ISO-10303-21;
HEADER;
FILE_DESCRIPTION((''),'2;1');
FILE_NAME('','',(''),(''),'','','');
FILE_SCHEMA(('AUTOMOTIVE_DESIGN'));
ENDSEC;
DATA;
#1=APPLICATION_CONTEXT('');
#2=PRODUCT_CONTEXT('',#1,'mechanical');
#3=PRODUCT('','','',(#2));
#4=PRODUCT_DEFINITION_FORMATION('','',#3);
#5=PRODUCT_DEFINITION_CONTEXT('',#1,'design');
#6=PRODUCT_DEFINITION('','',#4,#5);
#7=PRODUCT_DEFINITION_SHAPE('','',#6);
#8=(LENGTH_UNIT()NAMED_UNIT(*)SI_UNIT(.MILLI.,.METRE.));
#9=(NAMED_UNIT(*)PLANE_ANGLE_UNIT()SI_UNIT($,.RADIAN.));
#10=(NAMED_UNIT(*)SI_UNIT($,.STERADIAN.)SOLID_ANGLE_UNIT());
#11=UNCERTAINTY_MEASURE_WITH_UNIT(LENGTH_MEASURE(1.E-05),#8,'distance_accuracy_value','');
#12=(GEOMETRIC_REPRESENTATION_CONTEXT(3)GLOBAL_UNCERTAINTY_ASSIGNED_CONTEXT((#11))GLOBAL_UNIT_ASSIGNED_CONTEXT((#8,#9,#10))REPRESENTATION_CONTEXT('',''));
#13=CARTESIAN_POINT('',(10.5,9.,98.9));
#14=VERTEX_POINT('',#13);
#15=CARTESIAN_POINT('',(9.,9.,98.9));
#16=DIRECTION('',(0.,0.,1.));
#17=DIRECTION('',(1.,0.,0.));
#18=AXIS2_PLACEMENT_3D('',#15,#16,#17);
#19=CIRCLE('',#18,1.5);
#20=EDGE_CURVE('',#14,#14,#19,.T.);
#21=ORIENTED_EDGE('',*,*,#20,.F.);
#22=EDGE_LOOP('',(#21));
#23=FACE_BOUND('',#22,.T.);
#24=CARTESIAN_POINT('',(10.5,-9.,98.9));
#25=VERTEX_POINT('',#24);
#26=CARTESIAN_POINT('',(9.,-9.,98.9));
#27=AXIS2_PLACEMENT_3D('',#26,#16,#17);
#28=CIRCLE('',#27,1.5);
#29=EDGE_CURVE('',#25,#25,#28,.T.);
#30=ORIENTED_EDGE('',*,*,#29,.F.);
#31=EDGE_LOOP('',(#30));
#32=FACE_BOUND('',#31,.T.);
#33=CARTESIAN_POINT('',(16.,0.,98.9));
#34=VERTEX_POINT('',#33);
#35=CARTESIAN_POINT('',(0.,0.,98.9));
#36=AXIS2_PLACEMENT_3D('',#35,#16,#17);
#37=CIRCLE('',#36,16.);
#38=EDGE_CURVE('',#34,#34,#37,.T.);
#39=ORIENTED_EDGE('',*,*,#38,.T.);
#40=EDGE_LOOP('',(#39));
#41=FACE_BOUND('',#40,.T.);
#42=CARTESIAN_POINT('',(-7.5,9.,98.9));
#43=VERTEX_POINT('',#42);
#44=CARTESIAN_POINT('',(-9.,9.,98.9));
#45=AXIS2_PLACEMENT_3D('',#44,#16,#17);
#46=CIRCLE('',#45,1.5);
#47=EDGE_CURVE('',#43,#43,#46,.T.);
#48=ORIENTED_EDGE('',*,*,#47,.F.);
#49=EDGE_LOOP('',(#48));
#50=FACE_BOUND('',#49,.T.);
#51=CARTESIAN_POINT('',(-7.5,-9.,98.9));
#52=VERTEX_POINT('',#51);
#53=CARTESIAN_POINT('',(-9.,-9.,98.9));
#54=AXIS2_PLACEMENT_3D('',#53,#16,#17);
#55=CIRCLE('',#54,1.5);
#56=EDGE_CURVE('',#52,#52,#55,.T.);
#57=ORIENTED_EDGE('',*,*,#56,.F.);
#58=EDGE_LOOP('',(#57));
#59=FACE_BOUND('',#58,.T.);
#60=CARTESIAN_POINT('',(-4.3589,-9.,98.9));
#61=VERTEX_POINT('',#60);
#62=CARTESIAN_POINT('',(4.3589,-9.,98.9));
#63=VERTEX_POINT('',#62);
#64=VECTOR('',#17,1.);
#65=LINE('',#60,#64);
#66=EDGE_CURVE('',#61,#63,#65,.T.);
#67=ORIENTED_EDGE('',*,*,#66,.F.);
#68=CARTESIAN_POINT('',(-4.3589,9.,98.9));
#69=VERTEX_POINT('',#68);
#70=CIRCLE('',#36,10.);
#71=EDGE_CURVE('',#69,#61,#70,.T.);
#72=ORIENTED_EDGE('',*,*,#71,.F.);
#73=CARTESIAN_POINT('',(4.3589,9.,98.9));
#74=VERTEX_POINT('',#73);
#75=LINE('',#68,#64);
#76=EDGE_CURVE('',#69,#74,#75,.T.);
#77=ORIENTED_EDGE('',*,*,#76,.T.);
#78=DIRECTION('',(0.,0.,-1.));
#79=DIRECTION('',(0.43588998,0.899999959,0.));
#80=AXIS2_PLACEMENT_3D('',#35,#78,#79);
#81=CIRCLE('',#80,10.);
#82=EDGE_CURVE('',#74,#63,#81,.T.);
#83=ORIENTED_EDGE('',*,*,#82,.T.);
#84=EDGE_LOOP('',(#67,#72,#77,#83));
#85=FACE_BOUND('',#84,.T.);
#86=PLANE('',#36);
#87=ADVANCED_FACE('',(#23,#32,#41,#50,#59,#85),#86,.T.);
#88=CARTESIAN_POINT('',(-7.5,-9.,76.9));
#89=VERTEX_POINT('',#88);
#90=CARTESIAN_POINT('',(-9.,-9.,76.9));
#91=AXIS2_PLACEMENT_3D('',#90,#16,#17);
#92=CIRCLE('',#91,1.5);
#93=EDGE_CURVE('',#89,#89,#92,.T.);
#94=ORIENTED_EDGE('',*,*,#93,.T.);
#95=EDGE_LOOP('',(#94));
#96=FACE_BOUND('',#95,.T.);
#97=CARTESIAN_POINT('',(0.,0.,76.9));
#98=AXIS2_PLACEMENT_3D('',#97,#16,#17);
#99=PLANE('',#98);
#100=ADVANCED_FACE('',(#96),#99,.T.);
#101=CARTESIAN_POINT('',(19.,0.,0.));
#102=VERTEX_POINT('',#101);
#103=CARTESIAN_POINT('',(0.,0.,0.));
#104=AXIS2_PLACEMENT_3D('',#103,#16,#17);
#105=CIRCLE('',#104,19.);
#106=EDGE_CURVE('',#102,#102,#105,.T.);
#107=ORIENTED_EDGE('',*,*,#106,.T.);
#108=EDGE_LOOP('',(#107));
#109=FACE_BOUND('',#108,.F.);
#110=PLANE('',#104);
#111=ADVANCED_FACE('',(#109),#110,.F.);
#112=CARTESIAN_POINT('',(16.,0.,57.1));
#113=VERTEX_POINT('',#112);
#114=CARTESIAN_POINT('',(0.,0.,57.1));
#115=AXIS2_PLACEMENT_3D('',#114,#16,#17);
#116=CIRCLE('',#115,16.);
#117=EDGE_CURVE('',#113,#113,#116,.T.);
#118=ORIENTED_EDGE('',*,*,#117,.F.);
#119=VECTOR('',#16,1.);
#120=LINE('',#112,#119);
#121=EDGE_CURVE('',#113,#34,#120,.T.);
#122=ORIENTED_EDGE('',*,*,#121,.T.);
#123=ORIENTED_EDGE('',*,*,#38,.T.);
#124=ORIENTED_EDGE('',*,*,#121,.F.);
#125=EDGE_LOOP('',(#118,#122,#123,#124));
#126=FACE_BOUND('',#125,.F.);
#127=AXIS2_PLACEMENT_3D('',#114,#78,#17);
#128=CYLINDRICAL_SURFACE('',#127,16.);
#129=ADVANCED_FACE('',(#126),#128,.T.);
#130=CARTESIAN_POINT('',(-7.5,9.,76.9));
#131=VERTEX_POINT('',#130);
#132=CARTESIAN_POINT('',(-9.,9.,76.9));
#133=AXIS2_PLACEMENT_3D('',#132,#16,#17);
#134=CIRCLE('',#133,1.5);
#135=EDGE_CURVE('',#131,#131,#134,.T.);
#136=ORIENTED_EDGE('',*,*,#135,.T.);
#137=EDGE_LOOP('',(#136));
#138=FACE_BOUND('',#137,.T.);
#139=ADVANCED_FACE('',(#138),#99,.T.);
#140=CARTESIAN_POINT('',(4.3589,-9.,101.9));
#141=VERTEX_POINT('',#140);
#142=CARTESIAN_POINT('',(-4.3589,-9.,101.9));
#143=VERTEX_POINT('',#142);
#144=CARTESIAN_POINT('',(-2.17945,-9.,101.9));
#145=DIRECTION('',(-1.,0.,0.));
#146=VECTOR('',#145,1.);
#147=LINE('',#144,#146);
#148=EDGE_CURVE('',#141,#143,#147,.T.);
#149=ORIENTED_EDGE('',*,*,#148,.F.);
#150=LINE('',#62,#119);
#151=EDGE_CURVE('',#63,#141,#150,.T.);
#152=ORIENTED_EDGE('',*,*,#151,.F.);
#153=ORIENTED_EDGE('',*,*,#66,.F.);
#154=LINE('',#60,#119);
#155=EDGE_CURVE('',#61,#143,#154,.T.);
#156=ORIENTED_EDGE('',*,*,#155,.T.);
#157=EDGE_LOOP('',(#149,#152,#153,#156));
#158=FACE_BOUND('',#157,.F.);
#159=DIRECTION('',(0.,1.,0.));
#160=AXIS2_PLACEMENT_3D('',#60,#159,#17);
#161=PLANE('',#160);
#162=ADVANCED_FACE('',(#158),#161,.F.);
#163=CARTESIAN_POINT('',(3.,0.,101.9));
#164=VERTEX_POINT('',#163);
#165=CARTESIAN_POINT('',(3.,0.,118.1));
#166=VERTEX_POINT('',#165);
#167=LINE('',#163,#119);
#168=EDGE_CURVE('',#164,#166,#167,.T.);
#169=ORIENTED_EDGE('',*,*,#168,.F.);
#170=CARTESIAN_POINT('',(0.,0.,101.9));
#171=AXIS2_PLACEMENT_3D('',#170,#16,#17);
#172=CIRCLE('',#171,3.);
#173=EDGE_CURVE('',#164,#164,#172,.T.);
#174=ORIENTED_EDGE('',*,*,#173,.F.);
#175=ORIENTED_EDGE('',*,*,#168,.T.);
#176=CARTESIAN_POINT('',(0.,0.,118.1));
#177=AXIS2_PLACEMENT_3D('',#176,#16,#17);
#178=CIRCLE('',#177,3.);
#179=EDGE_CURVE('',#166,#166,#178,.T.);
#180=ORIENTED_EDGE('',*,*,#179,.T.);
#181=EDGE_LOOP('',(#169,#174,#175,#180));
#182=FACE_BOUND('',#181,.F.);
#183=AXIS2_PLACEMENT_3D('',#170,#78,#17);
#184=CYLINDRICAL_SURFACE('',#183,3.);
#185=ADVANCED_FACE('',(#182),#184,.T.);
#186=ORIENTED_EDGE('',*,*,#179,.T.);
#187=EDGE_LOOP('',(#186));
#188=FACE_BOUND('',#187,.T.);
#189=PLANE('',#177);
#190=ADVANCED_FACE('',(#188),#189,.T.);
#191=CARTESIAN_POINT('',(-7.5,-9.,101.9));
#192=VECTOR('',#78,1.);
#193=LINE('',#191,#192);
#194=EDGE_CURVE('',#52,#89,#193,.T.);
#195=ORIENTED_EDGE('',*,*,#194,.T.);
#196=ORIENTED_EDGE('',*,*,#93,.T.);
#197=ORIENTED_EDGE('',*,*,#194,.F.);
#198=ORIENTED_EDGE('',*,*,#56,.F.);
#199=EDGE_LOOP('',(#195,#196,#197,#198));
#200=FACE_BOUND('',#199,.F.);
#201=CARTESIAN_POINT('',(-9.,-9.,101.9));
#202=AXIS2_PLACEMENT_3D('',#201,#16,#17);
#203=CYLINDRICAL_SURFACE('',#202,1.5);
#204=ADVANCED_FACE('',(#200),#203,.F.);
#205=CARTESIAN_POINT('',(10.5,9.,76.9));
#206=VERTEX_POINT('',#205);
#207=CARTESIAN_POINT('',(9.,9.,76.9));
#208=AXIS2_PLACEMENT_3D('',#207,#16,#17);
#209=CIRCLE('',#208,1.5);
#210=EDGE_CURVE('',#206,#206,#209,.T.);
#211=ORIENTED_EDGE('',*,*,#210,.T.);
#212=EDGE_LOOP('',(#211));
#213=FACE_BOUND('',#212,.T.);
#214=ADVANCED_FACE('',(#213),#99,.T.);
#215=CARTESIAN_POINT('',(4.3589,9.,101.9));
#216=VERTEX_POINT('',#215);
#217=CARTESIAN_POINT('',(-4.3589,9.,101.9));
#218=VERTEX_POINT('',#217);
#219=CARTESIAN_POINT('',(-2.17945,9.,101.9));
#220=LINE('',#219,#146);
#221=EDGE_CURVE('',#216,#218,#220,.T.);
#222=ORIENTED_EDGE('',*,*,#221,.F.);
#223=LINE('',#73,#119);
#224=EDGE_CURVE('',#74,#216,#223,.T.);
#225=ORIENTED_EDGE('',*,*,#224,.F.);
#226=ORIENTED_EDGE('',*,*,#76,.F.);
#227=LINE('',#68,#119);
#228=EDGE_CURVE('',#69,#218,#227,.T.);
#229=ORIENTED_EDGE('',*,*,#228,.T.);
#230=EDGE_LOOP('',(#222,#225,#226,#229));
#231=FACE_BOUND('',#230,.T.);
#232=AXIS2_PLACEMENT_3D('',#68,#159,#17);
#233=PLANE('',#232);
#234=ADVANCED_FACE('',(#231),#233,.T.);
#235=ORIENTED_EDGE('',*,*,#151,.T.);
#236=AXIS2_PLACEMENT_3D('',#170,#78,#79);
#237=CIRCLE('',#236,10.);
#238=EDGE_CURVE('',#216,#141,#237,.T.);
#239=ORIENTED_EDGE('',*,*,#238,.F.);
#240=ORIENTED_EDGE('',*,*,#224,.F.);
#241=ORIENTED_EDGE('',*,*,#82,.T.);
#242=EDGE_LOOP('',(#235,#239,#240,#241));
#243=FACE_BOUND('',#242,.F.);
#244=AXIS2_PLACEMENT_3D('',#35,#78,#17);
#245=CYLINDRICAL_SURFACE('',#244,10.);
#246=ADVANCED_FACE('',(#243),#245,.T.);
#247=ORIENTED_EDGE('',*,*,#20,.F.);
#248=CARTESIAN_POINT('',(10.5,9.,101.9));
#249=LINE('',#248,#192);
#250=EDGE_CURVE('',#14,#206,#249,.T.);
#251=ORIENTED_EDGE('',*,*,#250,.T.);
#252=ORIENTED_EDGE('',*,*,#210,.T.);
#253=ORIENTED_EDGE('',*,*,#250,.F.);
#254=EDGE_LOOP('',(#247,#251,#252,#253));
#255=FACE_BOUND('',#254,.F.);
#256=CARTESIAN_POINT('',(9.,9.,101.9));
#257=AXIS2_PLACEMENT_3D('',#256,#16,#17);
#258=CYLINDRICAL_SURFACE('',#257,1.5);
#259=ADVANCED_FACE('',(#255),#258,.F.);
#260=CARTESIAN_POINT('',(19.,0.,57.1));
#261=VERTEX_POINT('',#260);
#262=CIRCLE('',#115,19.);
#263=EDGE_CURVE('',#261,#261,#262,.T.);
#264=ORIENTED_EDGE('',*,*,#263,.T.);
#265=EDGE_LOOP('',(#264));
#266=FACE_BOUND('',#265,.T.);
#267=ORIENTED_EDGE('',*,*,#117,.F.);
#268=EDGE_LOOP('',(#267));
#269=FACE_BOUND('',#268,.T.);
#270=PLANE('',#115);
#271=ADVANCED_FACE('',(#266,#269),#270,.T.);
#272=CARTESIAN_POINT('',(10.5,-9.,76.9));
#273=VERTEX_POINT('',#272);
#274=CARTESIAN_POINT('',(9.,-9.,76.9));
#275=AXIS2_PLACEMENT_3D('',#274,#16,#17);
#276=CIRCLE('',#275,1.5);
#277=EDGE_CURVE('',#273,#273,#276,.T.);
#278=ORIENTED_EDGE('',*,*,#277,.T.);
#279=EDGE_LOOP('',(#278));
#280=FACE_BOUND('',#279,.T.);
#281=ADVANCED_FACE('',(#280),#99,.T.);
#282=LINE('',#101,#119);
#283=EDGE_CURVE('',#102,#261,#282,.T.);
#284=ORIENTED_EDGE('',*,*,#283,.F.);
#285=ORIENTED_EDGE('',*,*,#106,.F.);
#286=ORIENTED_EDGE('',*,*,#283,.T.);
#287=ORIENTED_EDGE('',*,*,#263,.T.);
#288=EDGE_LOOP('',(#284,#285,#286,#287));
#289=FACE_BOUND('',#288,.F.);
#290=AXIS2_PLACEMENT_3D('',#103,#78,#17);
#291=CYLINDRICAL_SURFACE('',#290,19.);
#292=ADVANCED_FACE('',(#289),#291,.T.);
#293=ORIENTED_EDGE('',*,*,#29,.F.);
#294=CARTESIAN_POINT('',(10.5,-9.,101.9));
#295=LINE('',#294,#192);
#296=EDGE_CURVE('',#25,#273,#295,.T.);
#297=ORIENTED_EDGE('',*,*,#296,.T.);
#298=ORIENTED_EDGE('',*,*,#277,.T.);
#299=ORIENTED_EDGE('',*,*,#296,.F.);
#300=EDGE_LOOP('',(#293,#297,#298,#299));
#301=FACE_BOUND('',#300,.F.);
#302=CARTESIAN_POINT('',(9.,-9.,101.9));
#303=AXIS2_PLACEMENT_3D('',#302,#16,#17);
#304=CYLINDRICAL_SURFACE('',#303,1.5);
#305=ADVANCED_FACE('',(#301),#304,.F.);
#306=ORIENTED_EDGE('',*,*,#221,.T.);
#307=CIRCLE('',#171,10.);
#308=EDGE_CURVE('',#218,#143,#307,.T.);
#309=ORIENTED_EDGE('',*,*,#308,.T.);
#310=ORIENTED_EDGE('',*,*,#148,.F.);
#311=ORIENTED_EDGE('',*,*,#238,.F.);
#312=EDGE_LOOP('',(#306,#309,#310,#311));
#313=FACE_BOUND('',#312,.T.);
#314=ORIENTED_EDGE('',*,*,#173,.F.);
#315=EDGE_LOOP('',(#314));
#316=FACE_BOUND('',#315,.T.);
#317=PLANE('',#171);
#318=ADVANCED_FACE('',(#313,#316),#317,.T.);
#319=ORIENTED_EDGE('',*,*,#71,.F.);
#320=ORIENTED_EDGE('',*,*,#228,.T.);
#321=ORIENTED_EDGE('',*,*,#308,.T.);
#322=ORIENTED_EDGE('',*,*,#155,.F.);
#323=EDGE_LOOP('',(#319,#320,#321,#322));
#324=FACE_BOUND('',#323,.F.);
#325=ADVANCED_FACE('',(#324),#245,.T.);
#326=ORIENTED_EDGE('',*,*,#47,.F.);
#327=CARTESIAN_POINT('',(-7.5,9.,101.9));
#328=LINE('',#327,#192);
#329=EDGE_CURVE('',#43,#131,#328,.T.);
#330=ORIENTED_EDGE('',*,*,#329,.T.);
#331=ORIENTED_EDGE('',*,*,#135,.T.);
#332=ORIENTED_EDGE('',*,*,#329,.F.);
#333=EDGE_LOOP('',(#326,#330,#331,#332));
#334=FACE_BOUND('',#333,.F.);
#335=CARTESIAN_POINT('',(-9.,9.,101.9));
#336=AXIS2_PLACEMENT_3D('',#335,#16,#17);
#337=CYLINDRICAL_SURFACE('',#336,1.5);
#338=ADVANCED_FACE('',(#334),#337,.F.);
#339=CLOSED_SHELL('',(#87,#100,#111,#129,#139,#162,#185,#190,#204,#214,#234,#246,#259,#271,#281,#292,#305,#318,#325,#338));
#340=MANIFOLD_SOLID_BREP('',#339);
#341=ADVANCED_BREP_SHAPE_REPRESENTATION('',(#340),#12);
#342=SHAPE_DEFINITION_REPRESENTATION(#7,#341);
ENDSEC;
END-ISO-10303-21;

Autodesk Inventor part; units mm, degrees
ref_plane "YZ Plane" through (0, 0, 0) normal (1, 0, 0) x (0, 1, 0)
ref_plane "XZ Plane" through (0, 0, 0) normal (0, 1, 0) x (-1, 0, 0)
ref_plane "XY Plane" through (0, 0, 0) normal (0, 0, 1) x (1, 0, 0)
sketch "Sketch1" plane through (0, 0, 0) normal (0, 0, 1) x (1, 0, 0)
  circle A0 centre (0, 0) radius 19
  dimension "d0" = 38
extrude "Extrusion1" add sketch "Sketch1" along normal blind 57.1
sketch "Sketch2" plane through (0, 0, 57.1) normal (0, 0, 1) x (1, 0, 0)
  circle A0 centre (0, 0) radius 16
  dimension "d3" = 32
extrude "Extrusion2" add sketch "Sketch2" along normal blind 41.8
sketch "Sketch3" plane through (0, 0, 98.9) normal (0, 0, 1) x (1, 0, 0)
  circle A0 centre (0, 0) radius 10
  dimension "d6" = 20
extrude "Extrusion3" add sketch "Sketch3" along normal blind 3
sketch "Sketch4" plane through (0, 0, 101.9) normal (0, 0, 1) x (1, 0, 0)
  circle A0 centre (0, 0) radius 3
  dimension "d9" = 6
extrude "Extrusion4" add sketch "Sketch4" along normal blind 16.2
sketch "Sketch5" plane through (0, 0, 101.9) normal (0, 0, 1) x (1, 0, 0)
  line L0 (-9, -9) -> (9, -9) construction
  line L1 (9, -9) -> (9, 9) construction
  line L2 (9, 9) -> (-9, 9) construction
  line L3 (-9, 9) -> (-9, -9) construction
  line L4 (-9, -9) -> (9, 9) construction
  line L5 (9, -9) -> (-9, 9) construction
  circle A0 centre (9, 9) radius 1.5
  circle A1 centre (9, -9) radius 1.5
  circle A2 centre (-9, -9) radius 1.5
  circle A3 centre (-9, 9) radius 1.5
  point P0 (0, 0)
  dimension "d12" = 18
  dimension "d13" = 18
  dimension "d14" = 3
  dimension "d15" = 3
  dimension "d16" = 3
  dimension "d17" = 3
extrude "Extrusion5" cut sketch "Sketch5" against normal blind 25
sketch "Sketch6" plane through (0, 0, 98.9) normal (0, 0, 1) x (1, 0, 0)
  circle A0 centre (0, 0) radius 3 projected
  circle A1 centre (0, 0) radius 10 projected
  line L0 (-4.3589, -9) -> (4.3589, -9)
  line L1 (-4.3589, 9) -> (4.3589, 9)
  dimension "d20" = 18
extrude "Extrusion6" cut sketch "Sketch6" along normal through all contours L1 A1 | A1 L0
properties part number "12RPM Gear Motor"
